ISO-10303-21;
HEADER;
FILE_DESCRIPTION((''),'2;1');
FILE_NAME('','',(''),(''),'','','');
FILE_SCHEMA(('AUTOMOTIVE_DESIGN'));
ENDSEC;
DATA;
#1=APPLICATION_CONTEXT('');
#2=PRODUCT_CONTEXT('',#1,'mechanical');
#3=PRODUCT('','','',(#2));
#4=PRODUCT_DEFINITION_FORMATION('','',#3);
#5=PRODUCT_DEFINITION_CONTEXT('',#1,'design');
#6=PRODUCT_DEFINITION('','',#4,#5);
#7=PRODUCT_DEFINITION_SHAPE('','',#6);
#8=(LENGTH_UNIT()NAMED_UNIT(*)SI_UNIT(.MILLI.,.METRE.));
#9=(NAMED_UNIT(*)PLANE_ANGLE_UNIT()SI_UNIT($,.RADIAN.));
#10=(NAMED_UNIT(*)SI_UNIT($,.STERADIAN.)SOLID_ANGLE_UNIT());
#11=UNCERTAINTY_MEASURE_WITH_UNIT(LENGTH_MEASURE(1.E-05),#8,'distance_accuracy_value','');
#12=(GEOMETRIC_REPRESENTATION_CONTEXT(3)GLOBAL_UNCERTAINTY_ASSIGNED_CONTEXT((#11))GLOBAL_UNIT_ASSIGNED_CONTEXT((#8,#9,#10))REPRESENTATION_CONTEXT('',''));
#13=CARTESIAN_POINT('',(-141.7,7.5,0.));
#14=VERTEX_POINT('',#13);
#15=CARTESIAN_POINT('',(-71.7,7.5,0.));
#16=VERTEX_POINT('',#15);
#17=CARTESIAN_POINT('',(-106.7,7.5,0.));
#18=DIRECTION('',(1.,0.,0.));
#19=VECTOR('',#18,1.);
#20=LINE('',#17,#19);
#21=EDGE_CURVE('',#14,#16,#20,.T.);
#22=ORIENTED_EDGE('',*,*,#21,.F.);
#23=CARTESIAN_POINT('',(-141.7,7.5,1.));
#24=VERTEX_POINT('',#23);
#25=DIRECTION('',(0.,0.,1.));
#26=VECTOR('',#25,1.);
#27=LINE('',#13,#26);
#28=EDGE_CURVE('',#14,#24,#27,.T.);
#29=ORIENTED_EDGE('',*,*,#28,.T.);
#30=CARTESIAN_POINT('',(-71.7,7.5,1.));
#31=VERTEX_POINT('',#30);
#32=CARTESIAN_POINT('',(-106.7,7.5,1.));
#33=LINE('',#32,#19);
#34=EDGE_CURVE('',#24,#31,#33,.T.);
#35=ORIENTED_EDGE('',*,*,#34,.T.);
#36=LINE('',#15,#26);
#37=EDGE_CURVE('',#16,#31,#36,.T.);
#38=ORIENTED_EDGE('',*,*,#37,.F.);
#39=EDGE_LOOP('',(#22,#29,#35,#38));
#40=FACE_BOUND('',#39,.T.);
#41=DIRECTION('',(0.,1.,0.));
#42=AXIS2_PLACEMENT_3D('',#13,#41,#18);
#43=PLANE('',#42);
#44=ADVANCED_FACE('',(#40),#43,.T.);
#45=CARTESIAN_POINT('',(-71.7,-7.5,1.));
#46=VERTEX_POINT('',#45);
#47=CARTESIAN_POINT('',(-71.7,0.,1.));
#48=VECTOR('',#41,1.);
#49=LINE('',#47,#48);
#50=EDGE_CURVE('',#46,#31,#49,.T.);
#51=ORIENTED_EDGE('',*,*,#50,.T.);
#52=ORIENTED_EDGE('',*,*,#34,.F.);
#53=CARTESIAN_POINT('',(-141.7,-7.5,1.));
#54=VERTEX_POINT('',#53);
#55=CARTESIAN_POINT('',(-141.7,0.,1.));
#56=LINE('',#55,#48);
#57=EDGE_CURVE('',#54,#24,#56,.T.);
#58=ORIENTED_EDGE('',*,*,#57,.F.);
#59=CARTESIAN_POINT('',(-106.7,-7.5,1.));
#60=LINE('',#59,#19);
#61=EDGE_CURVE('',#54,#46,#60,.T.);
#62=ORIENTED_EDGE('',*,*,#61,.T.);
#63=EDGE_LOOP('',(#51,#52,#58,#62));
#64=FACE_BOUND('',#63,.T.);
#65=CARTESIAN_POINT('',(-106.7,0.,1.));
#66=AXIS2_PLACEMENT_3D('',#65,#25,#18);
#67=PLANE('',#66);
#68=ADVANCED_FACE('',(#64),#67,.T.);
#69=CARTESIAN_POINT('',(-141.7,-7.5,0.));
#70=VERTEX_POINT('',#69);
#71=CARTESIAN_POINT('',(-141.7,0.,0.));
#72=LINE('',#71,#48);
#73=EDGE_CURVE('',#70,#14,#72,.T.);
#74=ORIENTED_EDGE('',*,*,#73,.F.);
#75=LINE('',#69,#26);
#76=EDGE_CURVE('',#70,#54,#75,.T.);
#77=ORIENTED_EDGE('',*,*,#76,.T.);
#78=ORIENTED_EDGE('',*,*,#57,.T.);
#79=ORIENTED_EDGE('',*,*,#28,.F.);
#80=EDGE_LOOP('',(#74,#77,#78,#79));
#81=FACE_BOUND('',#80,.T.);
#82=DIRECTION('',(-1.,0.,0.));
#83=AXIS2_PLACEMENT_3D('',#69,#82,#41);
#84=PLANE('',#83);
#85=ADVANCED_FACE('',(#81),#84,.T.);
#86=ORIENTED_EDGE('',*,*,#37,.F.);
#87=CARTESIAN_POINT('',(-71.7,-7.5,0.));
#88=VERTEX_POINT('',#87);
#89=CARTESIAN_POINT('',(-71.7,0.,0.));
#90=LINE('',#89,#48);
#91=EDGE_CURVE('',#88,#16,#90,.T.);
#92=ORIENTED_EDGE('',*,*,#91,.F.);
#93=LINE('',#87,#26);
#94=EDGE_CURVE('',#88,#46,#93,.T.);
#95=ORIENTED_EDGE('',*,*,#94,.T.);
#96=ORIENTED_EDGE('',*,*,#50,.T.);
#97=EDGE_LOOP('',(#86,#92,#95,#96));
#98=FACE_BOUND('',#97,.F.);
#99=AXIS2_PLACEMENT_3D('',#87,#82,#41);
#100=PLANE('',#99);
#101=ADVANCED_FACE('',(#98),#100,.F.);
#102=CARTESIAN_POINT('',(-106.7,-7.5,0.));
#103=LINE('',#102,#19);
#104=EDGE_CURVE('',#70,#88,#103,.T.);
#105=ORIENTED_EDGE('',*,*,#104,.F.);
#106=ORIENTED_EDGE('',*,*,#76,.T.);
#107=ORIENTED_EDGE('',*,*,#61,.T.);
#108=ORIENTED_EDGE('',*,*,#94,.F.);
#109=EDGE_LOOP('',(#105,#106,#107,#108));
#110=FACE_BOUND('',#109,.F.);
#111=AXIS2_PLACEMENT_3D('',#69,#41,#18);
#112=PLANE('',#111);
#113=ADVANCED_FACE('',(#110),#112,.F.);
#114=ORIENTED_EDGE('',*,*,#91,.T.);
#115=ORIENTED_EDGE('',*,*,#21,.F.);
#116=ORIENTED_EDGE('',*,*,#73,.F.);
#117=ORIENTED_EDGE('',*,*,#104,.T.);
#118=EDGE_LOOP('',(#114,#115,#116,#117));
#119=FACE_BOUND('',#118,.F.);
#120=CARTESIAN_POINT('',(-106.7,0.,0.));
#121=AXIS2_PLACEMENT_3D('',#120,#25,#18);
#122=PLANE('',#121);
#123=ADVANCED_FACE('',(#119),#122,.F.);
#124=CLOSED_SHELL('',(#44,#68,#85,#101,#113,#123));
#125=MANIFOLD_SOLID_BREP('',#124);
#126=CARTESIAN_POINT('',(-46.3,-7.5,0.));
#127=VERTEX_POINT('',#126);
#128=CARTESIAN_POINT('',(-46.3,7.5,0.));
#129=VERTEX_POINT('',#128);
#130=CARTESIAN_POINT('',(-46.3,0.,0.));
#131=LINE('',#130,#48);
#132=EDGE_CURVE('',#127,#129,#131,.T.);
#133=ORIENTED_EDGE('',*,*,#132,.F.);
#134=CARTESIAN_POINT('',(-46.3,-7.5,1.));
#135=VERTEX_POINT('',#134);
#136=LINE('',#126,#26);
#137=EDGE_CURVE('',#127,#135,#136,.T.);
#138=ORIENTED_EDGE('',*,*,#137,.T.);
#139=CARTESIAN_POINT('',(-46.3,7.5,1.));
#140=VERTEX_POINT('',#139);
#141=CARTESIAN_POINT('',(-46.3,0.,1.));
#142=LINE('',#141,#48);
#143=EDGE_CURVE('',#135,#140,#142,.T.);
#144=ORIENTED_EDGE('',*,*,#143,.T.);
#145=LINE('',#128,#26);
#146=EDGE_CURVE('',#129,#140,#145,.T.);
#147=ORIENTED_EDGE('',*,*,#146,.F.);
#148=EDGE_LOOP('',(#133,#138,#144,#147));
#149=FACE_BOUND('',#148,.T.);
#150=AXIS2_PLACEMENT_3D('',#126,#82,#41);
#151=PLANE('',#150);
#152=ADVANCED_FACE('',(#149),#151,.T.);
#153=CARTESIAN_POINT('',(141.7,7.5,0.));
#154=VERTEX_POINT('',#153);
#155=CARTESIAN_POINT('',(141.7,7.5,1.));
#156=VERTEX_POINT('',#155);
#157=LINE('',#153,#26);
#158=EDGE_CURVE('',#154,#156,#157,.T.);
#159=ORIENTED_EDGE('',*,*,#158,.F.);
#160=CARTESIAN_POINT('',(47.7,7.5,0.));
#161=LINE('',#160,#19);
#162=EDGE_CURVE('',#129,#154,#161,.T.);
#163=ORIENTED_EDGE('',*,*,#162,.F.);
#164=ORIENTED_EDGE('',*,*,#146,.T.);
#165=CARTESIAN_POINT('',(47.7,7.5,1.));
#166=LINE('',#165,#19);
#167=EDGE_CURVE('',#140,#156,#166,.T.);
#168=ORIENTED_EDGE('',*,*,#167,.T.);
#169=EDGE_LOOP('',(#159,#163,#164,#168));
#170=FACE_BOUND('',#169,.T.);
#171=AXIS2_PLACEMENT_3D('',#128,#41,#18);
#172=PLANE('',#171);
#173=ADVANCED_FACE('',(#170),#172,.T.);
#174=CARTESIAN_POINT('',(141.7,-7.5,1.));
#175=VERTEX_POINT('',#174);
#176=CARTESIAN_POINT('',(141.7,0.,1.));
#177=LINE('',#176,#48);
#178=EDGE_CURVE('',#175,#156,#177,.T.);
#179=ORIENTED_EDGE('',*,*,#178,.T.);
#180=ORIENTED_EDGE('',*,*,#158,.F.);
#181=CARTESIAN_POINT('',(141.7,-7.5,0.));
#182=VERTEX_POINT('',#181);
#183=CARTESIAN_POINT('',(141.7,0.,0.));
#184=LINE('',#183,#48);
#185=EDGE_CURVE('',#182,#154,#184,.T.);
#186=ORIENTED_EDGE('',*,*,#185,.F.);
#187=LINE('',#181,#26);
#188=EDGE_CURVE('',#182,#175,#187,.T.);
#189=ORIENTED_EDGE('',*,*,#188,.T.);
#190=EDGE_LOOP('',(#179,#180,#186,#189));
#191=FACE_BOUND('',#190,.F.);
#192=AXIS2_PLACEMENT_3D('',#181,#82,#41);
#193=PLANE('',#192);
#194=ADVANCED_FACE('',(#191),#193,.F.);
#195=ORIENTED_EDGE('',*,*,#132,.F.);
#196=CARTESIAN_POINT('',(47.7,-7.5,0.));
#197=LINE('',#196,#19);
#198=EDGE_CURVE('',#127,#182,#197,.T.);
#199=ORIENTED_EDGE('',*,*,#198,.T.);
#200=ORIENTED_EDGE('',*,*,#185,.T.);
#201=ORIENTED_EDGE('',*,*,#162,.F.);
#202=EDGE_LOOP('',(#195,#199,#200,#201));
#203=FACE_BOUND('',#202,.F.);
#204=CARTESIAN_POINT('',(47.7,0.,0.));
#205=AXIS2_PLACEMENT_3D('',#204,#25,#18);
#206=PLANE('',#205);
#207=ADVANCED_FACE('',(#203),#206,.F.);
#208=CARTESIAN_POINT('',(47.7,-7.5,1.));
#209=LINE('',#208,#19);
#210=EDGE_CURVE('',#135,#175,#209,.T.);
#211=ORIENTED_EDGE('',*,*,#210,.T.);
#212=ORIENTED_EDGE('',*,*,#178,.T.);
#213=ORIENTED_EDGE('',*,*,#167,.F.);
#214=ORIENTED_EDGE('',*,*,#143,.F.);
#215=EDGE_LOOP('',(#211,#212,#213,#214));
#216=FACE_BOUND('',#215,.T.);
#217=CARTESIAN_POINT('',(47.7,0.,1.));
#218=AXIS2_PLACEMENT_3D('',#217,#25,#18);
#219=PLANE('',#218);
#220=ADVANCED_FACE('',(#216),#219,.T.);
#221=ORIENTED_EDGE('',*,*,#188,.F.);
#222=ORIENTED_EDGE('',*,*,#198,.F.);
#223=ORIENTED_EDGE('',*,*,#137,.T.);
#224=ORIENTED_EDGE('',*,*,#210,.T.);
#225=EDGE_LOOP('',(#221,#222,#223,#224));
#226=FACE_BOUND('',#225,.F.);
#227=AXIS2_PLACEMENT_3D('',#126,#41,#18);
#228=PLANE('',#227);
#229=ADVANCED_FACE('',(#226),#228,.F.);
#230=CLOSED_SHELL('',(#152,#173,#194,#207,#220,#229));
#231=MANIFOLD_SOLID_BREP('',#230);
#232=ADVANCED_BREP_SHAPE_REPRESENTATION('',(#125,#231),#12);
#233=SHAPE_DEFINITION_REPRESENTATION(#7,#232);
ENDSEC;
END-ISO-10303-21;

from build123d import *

# Parameters (mm, degrees)
F0_W     = 70
F0_H     = 15
F0_W_2   = 188
F1_DEPTH = 1


with BuildPart() as f1:
    # F0 (on Top) → F1 (new body)
    with BuildSketch(Plane.XY):
        with Locations((-106.7, 0)):
            Rectangle(F0_W, F0_H)
        with Locations((47.7, 0)):
            Rectangle(F0_W_2, F0_H)
    extrude(amount=F1_DEPTH)


solid = f1.part
